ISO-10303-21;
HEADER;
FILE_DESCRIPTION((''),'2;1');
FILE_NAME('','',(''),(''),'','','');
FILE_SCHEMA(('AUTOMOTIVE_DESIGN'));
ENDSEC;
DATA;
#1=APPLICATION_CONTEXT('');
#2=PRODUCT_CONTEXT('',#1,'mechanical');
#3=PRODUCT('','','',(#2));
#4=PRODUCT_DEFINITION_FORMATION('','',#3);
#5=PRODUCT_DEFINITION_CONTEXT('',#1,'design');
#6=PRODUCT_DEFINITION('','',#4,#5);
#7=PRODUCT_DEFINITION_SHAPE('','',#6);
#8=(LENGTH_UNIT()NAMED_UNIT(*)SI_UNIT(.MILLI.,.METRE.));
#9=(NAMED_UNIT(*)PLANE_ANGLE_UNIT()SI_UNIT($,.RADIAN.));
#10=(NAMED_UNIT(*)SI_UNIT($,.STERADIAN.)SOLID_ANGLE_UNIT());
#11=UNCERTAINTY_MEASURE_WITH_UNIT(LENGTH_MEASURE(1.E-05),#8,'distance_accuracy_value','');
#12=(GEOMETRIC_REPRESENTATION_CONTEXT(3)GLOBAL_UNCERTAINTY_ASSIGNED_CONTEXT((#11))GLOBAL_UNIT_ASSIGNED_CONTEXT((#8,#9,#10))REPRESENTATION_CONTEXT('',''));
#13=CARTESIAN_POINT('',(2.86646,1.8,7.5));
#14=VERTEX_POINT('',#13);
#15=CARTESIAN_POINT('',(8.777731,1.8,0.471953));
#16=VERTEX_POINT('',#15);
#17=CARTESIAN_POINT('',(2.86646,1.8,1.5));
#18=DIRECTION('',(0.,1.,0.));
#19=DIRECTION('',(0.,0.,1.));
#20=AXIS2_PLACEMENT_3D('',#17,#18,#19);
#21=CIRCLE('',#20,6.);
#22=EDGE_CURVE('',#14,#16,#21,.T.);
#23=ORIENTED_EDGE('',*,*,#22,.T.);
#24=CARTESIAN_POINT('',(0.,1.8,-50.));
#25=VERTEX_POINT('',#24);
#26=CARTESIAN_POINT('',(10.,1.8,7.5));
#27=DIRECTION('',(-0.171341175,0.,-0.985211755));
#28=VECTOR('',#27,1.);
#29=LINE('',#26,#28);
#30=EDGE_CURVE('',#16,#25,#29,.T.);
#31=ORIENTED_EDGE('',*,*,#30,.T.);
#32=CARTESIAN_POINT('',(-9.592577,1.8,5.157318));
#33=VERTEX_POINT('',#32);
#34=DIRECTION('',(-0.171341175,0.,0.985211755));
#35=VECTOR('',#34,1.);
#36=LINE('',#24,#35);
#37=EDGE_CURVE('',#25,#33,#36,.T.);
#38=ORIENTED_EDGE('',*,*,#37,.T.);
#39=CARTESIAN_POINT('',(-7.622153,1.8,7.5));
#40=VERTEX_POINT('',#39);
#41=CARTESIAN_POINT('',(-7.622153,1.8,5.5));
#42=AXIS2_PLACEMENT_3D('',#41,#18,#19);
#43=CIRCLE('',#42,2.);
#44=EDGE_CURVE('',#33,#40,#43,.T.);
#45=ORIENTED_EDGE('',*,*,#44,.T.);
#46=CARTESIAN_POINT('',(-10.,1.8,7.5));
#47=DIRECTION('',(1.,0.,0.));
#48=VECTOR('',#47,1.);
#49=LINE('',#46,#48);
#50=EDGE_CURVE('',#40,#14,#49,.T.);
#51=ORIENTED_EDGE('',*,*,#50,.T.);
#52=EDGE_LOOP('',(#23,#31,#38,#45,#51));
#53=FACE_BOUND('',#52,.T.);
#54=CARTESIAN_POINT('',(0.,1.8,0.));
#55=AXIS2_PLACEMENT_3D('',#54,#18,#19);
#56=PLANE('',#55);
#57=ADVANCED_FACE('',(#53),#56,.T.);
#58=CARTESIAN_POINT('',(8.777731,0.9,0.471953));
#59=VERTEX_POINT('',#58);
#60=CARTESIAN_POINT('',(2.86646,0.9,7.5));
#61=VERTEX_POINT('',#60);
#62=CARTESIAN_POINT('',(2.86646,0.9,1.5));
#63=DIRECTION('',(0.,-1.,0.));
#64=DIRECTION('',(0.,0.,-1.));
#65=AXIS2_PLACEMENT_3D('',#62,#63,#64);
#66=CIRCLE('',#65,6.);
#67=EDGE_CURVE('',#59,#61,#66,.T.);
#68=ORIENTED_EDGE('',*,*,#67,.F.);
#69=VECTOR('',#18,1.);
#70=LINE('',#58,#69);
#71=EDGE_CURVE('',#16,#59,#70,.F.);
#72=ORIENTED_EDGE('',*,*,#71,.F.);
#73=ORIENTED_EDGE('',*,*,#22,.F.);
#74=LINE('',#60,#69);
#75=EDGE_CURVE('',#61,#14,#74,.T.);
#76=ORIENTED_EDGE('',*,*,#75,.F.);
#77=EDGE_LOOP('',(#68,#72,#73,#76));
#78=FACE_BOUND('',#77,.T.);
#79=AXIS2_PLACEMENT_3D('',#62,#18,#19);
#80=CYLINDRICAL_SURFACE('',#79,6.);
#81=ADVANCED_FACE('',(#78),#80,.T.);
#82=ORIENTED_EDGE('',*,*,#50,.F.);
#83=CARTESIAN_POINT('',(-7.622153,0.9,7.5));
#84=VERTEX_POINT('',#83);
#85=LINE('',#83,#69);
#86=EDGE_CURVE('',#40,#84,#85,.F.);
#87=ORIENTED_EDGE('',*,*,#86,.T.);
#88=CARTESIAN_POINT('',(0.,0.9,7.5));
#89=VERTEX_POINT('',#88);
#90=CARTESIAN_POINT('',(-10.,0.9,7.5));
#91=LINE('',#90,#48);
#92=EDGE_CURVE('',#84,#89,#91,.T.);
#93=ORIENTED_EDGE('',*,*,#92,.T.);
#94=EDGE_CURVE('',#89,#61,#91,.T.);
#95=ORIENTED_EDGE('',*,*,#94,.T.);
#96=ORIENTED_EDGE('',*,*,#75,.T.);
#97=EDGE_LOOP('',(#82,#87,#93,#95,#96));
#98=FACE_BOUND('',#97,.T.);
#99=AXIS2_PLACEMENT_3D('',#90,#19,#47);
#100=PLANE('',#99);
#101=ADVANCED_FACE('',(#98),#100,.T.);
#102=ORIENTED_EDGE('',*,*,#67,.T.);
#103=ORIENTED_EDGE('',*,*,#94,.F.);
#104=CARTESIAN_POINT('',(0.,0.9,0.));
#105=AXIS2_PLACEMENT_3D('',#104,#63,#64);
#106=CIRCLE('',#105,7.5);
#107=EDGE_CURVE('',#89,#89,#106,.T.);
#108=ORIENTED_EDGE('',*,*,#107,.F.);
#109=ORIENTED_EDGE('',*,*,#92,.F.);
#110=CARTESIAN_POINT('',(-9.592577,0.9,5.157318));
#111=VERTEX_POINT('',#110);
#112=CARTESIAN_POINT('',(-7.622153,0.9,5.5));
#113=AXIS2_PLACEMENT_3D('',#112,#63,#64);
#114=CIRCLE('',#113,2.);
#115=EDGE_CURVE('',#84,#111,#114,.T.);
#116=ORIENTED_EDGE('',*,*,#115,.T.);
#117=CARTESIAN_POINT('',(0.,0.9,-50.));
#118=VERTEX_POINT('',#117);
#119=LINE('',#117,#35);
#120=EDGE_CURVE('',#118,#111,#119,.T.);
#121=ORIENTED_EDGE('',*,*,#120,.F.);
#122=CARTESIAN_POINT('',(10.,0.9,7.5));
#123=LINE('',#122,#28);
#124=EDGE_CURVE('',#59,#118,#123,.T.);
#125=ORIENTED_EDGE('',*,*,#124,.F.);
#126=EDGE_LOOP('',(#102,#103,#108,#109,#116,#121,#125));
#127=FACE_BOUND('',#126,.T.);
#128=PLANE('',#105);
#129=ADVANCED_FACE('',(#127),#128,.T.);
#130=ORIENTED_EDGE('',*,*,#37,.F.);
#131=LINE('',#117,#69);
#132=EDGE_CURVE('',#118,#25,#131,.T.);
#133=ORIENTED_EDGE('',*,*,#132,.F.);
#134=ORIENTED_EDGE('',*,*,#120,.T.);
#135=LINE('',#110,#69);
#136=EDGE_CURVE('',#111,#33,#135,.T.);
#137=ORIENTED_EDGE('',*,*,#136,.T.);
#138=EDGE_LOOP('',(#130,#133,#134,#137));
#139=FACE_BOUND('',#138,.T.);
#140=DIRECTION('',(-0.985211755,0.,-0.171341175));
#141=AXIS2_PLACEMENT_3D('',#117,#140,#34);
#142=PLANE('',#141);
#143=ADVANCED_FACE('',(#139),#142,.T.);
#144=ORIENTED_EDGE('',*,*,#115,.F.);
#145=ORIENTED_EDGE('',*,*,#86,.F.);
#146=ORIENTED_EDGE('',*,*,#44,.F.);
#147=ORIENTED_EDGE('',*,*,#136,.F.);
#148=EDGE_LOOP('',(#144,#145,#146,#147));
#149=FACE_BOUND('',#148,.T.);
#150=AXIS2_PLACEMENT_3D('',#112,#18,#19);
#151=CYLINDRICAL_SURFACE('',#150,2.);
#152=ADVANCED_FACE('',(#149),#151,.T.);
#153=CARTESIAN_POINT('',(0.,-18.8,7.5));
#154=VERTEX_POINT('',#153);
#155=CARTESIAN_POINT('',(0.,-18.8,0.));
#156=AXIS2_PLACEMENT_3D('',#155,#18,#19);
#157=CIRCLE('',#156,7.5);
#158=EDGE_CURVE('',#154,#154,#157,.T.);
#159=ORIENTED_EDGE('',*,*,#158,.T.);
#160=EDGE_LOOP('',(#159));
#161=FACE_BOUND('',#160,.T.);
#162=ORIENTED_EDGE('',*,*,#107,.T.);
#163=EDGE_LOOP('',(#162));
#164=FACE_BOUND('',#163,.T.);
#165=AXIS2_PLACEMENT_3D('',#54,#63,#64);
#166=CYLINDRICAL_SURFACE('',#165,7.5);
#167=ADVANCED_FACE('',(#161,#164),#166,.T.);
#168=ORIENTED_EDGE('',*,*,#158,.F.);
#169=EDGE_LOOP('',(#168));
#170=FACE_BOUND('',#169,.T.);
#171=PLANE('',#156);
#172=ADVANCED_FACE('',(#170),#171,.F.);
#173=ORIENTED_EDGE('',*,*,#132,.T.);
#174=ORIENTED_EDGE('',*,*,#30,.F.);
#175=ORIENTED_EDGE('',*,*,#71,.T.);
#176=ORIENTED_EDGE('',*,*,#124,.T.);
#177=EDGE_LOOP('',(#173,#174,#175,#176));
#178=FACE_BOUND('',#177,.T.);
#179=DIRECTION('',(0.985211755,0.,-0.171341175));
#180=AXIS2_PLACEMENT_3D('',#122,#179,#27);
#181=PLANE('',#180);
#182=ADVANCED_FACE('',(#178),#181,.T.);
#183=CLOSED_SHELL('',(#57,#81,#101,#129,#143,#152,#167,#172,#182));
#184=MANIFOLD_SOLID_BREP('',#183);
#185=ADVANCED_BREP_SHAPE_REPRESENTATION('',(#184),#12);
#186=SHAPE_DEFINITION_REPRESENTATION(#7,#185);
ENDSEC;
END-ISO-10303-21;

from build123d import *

# Parameters (mm, degrees)
SKETCH1_R           = 7.5
BOSS_EXTRUDE1_DEPTH = 1.8
BOSS_EXTRUDE2_START = -18.8
SKETCH1_3_R         = 7.5
BOSS_EXTRUDE2_DEPTH = 18.8
BOSS_EXTRUDE3_DEPTH = 0.9
FILLET1_R           = 6
FILLET2_R           = 2


with BuildPart() as part:
    # Sketch1 → Boss-Extrude1 (new body)
    with BuildSketch(Plane(origin=(0, 0, 0), x_dir=(1, 0, 0), z_dir=(0, 1, 0))):
        Circle(SKETCH1_R)
    extrude(amount=BOSS_EXTRUDE1_DEPTH)

    # Sketch1<3> → Boss-Extrude2 (add)
    with BuildSketch(Plane(origin=(0, 0, 0), x_dir=(1, 0, 0), z_dir=(0, 1, 0)).offset(BOSS_EXTRUDE2_START)):
        Circle(SKETCH1_3_R)
    extrude(amount=BOSS_EXTRUDE2_DEPTH)

    # Sketch3 → Boss-Extrude3 (add)
    with BuildSketch(Plane(origin=(0, 1.8, 0), x_dir=(1, 0, 0), z_dir=(0, 1, 0))):
        Polygon((0, 50), (-10, -7.5), (10, -7.5), align=None)
    extrude(amount=-BOSS_EXTRUDE3_DEPTH)

    # Fillet1
    fillet1_edges = [part.edges().sort_by_distance(p)[0] for p in [
        (10, 1.35, 7.5),
    ]]
    fillet(fillet1_edges, radius=FILLET1_R)

    # Fillet2
    fillet2_edges = [part.edges().sort_by_distance(p)[0] for p in [
        (-10, 1.35, 7.5),
    ]]
    fillet(fillet2_edges, radius=FILLET2_R)


solid = part.part
